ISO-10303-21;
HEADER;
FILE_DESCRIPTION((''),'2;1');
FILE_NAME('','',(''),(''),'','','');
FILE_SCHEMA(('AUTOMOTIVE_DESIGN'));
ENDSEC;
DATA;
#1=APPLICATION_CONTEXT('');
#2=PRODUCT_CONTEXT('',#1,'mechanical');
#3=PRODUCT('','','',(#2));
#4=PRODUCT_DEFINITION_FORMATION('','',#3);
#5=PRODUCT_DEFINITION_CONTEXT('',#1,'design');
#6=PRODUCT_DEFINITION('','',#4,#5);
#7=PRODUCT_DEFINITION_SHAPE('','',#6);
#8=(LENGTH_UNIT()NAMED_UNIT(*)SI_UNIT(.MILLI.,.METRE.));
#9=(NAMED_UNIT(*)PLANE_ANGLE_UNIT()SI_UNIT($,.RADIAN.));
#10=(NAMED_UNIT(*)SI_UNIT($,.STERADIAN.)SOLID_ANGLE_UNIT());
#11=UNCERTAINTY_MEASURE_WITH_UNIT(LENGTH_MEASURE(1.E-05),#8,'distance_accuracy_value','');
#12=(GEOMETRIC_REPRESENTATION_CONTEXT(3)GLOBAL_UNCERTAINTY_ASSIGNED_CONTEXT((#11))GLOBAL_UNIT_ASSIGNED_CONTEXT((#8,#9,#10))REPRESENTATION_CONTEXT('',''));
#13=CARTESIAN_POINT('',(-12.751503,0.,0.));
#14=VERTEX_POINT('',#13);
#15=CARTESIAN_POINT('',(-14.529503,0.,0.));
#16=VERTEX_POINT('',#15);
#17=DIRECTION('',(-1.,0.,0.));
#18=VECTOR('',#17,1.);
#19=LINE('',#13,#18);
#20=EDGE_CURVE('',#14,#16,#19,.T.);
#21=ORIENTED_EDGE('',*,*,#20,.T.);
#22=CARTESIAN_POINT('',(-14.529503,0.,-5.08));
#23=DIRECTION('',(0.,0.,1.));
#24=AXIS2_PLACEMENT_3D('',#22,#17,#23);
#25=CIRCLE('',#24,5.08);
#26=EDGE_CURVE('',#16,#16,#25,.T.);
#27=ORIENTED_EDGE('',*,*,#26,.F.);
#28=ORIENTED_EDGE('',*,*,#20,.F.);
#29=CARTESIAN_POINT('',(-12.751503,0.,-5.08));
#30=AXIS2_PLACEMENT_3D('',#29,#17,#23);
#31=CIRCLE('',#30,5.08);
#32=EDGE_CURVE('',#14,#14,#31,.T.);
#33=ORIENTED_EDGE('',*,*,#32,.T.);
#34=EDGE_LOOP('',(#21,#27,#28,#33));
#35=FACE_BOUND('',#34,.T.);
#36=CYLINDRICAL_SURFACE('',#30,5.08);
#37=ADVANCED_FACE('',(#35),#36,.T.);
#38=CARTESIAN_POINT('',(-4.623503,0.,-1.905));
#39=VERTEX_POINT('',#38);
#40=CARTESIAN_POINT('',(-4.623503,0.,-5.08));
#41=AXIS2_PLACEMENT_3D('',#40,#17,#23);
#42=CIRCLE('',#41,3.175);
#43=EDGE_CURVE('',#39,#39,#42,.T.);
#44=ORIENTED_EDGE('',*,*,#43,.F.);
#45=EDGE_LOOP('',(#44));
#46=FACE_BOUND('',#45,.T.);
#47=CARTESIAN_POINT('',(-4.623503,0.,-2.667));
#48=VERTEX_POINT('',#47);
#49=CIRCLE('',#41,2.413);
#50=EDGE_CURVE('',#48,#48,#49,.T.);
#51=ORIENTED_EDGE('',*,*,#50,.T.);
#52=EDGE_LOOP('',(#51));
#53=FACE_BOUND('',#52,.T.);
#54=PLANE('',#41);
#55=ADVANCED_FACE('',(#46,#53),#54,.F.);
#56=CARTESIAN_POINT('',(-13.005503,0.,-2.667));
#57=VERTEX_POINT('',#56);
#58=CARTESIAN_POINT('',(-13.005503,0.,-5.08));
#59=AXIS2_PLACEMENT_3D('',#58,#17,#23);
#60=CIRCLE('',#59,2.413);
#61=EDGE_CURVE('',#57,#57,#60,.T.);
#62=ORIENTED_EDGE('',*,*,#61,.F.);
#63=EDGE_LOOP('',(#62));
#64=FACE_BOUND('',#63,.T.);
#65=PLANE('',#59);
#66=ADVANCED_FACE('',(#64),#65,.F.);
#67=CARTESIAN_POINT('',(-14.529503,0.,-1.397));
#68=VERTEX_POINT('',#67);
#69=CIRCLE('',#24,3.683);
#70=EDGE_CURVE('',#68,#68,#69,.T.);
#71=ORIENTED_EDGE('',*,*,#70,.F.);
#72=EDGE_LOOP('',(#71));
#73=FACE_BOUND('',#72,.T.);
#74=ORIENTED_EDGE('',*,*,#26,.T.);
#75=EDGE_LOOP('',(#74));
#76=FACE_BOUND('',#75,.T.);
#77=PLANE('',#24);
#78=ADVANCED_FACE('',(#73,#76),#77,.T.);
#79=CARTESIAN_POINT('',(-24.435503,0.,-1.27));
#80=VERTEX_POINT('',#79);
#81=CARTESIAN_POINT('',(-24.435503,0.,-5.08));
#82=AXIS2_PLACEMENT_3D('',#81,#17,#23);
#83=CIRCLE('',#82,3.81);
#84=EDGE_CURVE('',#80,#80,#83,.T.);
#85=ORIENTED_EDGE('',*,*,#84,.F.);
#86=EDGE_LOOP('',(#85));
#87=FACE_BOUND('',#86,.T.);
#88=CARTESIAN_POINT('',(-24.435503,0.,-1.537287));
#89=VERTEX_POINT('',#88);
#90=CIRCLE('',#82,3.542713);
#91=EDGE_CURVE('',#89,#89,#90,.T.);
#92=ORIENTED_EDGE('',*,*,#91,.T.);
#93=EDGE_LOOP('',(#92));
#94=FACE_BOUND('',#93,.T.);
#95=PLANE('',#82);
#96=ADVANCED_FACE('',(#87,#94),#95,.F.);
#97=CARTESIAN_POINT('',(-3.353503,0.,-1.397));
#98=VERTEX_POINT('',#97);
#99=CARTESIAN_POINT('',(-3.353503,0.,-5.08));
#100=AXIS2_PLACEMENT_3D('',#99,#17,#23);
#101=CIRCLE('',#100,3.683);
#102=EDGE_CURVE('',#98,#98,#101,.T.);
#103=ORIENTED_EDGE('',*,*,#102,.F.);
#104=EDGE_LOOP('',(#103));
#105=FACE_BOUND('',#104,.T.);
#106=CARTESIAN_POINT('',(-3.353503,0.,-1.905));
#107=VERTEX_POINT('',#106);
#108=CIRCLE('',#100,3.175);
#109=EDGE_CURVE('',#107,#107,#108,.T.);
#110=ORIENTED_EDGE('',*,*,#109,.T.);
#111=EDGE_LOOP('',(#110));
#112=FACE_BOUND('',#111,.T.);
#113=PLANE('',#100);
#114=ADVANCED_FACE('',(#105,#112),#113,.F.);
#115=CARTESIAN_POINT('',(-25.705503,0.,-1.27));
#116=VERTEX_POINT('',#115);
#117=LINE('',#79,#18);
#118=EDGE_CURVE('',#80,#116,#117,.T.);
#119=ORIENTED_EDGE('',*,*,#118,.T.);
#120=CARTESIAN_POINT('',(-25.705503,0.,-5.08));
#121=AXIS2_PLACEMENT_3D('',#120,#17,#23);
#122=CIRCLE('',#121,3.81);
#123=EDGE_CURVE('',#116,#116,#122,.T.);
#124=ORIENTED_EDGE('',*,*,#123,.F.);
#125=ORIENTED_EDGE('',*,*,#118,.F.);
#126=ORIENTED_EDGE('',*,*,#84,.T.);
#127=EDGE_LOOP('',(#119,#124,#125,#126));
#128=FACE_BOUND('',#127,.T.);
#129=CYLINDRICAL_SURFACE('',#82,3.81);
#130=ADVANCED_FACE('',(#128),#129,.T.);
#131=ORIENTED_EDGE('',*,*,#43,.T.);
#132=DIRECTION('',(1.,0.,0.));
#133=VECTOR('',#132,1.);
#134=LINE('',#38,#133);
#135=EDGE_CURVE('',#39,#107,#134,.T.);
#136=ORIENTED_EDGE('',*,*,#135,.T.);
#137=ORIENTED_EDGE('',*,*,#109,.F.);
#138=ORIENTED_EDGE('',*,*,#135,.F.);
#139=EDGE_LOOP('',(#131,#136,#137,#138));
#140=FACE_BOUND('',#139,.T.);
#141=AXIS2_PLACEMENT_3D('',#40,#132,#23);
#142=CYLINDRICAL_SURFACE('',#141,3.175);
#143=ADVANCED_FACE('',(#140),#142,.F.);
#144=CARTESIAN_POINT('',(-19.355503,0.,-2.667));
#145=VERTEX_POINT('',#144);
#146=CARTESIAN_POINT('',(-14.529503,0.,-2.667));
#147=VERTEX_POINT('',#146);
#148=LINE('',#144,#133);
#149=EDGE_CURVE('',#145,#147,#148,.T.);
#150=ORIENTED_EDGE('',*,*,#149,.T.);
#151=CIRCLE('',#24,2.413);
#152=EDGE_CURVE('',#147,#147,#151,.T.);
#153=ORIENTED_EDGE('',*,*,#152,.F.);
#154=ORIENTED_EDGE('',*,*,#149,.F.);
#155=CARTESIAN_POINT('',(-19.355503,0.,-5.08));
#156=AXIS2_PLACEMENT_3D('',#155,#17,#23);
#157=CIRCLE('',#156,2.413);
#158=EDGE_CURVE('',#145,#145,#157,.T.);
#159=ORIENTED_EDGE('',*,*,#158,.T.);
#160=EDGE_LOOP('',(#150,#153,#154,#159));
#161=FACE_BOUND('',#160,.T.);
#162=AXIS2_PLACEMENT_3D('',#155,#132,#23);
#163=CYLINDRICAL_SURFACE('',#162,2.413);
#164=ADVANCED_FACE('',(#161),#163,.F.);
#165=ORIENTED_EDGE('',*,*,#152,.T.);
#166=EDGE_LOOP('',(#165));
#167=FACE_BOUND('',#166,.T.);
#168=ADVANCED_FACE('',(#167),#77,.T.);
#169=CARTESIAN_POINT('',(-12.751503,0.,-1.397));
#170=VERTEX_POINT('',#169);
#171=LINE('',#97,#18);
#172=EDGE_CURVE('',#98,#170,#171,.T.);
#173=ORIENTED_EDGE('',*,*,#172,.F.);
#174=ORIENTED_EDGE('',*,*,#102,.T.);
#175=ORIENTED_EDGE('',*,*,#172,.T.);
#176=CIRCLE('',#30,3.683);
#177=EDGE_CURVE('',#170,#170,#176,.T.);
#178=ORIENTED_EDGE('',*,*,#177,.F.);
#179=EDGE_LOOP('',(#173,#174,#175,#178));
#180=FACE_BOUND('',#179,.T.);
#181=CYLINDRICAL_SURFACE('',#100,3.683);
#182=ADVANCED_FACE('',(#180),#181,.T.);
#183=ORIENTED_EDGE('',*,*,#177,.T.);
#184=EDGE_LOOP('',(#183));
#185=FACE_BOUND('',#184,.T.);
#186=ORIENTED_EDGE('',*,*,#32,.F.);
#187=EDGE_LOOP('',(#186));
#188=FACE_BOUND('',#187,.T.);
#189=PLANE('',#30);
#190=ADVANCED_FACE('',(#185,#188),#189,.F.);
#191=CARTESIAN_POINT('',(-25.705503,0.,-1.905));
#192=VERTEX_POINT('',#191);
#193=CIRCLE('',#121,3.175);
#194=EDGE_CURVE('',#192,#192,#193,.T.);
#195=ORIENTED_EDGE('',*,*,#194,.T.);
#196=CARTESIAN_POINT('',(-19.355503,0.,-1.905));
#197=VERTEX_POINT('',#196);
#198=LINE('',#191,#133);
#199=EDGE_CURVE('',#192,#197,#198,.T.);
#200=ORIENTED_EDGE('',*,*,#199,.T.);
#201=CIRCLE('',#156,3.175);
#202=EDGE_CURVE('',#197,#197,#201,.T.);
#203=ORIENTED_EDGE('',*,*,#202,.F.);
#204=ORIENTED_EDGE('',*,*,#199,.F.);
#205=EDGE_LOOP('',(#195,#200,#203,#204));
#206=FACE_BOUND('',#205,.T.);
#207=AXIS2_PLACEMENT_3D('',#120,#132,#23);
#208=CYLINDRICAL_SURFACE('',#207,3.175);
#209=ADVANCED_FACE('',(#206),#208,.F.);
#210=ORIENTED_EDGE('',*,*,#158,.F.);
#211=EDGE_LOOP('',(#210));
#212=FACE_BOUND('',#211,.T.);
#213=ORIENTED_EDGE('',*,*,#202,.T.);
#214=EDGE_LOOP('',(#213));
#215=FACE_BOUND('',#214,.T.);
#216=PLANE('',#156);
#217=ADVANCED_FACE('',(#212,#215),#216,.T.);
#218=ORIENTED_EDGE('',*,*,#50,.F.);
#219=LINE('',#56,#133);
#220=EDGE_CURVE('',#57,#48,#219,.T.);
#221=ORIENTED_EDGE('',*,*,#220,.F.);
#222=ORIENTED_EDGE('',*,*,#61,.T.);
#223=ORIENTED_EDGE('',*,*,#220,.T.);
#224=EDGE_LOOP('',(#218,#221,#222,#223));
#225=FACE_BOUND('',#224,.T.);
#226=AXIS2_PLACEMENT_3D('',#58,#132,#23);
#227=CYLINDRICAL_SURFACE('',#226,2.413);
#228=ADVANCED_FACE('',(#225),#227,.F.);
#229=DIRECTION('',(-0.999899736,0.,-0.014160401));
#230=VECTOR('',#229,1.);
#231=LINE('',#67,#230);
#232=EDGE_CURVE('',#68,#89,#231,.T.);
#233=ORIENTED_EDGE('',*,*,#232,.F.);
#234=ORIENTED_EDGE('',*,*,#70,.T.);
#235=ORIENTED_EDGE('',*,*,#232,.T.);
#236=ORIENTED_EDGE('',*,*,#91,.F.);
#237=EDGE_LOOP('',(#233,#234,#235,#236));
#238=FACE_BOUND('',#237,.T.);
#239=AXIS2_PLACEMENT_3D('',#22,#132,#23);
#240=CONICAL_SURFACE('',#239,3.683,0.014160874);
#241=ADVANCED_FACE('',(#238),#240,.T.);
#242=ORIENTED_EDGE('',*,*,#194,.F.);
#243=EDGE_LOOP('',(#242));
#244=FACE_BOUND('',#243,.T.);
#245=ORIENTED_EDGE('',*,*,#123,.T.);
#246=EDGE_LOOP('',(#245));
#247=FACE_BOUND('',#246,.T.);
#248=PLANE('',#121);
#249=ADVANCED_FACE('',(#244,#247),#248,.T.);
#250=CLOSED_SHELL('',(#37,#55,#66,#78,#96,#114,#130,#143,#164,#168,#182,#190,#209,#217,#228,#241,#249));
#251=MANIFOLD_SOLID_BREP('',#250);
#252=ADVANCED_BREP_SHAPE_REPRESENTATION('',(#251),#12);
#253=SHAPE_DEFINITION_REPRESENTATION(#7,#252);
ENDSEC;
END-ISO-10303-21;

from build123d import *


with BuildPart() as f1:
    # F0 (on Front) → F1 (revolve)
    with BuildSketch(Plane.XZ):
        Polygon((-12.751503, 0), (-14.529503, 0), (-14.529503, -1.397), (-24.435503, -1.537287), (-24.435503, -1.27), (-25.705503, -1.27), (-25.705503, -1.905), (-19.355503, -1.905), (-19.355503, -2.667), (-14.529503, -2.667), (-14.529503, -5.08), (-13.005503, -5.08), (-13.005503, -2.667), (-4.623503, -2.667), (-4.623503, -1.905), (-3.353503, -1.905), (-3.353503, -1.397), (-12.751503, -1.397), align=None)
    revolve(axis=Axis((-13.767503, 0, -5.08), (-1, 0, 0)))


solid = f1.part
